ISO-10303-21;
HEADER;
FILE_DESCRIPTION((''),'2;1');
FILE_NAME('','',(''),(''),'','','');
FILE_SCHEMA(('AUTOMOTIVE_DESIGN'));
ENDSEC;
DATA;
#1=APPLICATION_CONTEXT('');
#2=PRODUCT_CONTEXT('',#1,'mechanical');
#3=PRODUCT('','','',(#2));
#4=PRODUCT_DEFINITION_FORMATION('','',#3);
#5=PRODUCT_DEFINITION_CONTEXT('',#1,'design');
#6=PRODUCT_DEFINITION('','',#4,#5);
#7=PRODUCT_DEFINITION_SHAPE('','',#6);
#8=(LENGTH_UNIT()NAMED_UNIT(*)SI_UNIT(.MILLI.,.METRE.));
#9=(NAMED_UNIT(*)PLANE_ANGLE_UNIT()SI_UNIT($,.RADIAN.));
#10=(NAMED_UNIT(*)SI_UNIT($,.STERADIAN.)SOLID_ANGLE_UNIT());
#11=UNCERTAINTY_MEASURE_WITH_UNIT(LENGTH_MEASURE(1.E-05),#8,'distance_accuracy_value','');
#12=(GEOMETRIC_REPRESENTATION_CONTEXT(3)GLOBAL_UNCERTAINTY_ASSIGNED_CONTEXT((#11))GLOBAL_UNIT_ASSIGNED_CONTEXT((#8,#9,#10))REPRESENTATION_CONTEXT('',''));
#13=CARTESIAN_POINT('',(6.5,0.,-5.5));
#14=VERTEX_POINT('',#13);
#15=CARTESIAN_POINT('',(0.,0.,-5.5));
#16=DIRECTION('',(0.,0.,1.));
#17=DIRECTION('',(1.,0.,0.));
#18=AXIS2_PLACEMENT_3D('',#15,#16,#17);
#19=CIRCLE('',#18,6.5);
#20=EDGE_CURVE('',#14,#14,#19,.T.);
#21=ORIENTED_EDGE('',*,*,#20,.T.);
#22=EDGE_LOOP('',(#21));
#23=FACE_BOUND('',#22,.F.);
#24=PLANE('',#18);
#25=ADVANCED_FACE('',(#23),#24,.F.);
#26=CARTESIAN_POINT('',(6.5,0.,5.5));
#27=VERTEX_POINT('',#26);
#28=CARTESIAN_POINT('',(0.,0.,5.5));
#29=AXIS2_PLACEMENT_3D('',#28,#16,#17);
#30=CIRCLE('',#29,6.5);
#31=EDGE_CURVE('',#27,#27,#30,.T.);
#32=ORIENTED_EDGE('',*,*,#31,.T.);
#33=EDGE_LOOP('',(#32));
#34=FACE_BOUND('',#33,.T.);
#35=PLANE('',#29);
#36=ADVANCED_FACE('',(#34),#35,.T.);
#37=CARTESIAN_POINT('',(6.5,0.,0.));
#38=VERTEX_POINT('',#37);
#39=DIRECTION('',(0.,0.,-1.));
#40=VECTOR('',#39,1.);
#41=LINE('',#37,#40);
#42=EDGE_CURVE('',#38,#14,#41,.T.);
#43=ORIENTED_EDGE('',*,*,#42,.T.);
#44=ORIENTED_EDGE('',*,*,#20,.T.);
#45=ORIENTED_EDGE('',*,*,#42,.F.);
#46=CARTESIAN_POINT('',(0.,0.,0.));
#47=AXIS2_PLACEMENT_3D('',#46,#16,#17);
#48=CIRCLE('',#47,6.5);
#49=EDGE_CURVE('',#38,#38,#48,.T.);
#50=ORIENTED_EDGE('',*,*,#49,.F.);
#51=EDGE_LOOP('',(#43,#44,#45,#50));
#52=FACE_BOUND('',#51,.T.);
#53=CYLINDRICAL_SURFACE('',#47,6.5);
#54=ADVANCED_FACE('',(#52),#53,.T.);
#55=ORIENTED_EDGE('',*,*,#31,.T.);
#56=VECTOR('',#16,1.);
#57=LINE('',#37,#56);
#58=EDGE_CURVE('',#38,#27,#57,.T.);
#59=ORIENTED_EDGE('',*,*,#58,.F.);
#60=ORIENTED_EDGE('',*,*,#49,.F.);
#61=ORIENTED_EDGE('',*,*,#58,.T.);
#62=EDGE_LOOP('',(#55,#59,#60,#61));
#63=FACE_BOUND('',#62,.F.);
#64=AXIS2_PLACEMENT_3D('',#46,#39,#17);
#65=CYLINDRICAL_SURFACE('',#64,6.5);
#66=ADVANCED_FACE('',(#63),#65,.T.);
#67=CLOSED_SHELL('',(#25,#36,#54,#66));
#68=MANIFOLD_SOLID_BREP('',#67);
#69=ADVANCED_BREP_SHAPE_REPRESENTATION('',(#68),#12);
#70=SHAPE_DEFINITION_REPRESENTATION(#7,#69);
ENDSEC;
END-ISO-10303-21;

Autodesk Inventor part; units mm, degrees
ref_plane "YZ Plane" through (0, 0, 0) normal (1, 0, 0) x (0, 1, 0)
ref_plane "XZ Plane" through (0, 0, 0) normal (0, 1, 0) x (-1, 0, 0)
ref_plane "XY Plane" through (0, 0, 0) normal (0, 0, 1) x (1, 0, 0)
sketch "Hauptskizze" plane through (0, 0, 0) normal (0, 0, 1) x (1, 0, 0)
  circle A0 centre (0, 0) radius 6.5
  dimension "d0" = 13
extrude "Riemenscheibe" add sketch "Hauptskizze" along normal mid plane 11
equation "\"d0\" = da_D"
equation "\"d1\" = da_B"
equation "\"da_D\" = 13"
equation "\"da_B\" = 11"
properties part number "Flache Riemenscheibe1" material "Steel"
